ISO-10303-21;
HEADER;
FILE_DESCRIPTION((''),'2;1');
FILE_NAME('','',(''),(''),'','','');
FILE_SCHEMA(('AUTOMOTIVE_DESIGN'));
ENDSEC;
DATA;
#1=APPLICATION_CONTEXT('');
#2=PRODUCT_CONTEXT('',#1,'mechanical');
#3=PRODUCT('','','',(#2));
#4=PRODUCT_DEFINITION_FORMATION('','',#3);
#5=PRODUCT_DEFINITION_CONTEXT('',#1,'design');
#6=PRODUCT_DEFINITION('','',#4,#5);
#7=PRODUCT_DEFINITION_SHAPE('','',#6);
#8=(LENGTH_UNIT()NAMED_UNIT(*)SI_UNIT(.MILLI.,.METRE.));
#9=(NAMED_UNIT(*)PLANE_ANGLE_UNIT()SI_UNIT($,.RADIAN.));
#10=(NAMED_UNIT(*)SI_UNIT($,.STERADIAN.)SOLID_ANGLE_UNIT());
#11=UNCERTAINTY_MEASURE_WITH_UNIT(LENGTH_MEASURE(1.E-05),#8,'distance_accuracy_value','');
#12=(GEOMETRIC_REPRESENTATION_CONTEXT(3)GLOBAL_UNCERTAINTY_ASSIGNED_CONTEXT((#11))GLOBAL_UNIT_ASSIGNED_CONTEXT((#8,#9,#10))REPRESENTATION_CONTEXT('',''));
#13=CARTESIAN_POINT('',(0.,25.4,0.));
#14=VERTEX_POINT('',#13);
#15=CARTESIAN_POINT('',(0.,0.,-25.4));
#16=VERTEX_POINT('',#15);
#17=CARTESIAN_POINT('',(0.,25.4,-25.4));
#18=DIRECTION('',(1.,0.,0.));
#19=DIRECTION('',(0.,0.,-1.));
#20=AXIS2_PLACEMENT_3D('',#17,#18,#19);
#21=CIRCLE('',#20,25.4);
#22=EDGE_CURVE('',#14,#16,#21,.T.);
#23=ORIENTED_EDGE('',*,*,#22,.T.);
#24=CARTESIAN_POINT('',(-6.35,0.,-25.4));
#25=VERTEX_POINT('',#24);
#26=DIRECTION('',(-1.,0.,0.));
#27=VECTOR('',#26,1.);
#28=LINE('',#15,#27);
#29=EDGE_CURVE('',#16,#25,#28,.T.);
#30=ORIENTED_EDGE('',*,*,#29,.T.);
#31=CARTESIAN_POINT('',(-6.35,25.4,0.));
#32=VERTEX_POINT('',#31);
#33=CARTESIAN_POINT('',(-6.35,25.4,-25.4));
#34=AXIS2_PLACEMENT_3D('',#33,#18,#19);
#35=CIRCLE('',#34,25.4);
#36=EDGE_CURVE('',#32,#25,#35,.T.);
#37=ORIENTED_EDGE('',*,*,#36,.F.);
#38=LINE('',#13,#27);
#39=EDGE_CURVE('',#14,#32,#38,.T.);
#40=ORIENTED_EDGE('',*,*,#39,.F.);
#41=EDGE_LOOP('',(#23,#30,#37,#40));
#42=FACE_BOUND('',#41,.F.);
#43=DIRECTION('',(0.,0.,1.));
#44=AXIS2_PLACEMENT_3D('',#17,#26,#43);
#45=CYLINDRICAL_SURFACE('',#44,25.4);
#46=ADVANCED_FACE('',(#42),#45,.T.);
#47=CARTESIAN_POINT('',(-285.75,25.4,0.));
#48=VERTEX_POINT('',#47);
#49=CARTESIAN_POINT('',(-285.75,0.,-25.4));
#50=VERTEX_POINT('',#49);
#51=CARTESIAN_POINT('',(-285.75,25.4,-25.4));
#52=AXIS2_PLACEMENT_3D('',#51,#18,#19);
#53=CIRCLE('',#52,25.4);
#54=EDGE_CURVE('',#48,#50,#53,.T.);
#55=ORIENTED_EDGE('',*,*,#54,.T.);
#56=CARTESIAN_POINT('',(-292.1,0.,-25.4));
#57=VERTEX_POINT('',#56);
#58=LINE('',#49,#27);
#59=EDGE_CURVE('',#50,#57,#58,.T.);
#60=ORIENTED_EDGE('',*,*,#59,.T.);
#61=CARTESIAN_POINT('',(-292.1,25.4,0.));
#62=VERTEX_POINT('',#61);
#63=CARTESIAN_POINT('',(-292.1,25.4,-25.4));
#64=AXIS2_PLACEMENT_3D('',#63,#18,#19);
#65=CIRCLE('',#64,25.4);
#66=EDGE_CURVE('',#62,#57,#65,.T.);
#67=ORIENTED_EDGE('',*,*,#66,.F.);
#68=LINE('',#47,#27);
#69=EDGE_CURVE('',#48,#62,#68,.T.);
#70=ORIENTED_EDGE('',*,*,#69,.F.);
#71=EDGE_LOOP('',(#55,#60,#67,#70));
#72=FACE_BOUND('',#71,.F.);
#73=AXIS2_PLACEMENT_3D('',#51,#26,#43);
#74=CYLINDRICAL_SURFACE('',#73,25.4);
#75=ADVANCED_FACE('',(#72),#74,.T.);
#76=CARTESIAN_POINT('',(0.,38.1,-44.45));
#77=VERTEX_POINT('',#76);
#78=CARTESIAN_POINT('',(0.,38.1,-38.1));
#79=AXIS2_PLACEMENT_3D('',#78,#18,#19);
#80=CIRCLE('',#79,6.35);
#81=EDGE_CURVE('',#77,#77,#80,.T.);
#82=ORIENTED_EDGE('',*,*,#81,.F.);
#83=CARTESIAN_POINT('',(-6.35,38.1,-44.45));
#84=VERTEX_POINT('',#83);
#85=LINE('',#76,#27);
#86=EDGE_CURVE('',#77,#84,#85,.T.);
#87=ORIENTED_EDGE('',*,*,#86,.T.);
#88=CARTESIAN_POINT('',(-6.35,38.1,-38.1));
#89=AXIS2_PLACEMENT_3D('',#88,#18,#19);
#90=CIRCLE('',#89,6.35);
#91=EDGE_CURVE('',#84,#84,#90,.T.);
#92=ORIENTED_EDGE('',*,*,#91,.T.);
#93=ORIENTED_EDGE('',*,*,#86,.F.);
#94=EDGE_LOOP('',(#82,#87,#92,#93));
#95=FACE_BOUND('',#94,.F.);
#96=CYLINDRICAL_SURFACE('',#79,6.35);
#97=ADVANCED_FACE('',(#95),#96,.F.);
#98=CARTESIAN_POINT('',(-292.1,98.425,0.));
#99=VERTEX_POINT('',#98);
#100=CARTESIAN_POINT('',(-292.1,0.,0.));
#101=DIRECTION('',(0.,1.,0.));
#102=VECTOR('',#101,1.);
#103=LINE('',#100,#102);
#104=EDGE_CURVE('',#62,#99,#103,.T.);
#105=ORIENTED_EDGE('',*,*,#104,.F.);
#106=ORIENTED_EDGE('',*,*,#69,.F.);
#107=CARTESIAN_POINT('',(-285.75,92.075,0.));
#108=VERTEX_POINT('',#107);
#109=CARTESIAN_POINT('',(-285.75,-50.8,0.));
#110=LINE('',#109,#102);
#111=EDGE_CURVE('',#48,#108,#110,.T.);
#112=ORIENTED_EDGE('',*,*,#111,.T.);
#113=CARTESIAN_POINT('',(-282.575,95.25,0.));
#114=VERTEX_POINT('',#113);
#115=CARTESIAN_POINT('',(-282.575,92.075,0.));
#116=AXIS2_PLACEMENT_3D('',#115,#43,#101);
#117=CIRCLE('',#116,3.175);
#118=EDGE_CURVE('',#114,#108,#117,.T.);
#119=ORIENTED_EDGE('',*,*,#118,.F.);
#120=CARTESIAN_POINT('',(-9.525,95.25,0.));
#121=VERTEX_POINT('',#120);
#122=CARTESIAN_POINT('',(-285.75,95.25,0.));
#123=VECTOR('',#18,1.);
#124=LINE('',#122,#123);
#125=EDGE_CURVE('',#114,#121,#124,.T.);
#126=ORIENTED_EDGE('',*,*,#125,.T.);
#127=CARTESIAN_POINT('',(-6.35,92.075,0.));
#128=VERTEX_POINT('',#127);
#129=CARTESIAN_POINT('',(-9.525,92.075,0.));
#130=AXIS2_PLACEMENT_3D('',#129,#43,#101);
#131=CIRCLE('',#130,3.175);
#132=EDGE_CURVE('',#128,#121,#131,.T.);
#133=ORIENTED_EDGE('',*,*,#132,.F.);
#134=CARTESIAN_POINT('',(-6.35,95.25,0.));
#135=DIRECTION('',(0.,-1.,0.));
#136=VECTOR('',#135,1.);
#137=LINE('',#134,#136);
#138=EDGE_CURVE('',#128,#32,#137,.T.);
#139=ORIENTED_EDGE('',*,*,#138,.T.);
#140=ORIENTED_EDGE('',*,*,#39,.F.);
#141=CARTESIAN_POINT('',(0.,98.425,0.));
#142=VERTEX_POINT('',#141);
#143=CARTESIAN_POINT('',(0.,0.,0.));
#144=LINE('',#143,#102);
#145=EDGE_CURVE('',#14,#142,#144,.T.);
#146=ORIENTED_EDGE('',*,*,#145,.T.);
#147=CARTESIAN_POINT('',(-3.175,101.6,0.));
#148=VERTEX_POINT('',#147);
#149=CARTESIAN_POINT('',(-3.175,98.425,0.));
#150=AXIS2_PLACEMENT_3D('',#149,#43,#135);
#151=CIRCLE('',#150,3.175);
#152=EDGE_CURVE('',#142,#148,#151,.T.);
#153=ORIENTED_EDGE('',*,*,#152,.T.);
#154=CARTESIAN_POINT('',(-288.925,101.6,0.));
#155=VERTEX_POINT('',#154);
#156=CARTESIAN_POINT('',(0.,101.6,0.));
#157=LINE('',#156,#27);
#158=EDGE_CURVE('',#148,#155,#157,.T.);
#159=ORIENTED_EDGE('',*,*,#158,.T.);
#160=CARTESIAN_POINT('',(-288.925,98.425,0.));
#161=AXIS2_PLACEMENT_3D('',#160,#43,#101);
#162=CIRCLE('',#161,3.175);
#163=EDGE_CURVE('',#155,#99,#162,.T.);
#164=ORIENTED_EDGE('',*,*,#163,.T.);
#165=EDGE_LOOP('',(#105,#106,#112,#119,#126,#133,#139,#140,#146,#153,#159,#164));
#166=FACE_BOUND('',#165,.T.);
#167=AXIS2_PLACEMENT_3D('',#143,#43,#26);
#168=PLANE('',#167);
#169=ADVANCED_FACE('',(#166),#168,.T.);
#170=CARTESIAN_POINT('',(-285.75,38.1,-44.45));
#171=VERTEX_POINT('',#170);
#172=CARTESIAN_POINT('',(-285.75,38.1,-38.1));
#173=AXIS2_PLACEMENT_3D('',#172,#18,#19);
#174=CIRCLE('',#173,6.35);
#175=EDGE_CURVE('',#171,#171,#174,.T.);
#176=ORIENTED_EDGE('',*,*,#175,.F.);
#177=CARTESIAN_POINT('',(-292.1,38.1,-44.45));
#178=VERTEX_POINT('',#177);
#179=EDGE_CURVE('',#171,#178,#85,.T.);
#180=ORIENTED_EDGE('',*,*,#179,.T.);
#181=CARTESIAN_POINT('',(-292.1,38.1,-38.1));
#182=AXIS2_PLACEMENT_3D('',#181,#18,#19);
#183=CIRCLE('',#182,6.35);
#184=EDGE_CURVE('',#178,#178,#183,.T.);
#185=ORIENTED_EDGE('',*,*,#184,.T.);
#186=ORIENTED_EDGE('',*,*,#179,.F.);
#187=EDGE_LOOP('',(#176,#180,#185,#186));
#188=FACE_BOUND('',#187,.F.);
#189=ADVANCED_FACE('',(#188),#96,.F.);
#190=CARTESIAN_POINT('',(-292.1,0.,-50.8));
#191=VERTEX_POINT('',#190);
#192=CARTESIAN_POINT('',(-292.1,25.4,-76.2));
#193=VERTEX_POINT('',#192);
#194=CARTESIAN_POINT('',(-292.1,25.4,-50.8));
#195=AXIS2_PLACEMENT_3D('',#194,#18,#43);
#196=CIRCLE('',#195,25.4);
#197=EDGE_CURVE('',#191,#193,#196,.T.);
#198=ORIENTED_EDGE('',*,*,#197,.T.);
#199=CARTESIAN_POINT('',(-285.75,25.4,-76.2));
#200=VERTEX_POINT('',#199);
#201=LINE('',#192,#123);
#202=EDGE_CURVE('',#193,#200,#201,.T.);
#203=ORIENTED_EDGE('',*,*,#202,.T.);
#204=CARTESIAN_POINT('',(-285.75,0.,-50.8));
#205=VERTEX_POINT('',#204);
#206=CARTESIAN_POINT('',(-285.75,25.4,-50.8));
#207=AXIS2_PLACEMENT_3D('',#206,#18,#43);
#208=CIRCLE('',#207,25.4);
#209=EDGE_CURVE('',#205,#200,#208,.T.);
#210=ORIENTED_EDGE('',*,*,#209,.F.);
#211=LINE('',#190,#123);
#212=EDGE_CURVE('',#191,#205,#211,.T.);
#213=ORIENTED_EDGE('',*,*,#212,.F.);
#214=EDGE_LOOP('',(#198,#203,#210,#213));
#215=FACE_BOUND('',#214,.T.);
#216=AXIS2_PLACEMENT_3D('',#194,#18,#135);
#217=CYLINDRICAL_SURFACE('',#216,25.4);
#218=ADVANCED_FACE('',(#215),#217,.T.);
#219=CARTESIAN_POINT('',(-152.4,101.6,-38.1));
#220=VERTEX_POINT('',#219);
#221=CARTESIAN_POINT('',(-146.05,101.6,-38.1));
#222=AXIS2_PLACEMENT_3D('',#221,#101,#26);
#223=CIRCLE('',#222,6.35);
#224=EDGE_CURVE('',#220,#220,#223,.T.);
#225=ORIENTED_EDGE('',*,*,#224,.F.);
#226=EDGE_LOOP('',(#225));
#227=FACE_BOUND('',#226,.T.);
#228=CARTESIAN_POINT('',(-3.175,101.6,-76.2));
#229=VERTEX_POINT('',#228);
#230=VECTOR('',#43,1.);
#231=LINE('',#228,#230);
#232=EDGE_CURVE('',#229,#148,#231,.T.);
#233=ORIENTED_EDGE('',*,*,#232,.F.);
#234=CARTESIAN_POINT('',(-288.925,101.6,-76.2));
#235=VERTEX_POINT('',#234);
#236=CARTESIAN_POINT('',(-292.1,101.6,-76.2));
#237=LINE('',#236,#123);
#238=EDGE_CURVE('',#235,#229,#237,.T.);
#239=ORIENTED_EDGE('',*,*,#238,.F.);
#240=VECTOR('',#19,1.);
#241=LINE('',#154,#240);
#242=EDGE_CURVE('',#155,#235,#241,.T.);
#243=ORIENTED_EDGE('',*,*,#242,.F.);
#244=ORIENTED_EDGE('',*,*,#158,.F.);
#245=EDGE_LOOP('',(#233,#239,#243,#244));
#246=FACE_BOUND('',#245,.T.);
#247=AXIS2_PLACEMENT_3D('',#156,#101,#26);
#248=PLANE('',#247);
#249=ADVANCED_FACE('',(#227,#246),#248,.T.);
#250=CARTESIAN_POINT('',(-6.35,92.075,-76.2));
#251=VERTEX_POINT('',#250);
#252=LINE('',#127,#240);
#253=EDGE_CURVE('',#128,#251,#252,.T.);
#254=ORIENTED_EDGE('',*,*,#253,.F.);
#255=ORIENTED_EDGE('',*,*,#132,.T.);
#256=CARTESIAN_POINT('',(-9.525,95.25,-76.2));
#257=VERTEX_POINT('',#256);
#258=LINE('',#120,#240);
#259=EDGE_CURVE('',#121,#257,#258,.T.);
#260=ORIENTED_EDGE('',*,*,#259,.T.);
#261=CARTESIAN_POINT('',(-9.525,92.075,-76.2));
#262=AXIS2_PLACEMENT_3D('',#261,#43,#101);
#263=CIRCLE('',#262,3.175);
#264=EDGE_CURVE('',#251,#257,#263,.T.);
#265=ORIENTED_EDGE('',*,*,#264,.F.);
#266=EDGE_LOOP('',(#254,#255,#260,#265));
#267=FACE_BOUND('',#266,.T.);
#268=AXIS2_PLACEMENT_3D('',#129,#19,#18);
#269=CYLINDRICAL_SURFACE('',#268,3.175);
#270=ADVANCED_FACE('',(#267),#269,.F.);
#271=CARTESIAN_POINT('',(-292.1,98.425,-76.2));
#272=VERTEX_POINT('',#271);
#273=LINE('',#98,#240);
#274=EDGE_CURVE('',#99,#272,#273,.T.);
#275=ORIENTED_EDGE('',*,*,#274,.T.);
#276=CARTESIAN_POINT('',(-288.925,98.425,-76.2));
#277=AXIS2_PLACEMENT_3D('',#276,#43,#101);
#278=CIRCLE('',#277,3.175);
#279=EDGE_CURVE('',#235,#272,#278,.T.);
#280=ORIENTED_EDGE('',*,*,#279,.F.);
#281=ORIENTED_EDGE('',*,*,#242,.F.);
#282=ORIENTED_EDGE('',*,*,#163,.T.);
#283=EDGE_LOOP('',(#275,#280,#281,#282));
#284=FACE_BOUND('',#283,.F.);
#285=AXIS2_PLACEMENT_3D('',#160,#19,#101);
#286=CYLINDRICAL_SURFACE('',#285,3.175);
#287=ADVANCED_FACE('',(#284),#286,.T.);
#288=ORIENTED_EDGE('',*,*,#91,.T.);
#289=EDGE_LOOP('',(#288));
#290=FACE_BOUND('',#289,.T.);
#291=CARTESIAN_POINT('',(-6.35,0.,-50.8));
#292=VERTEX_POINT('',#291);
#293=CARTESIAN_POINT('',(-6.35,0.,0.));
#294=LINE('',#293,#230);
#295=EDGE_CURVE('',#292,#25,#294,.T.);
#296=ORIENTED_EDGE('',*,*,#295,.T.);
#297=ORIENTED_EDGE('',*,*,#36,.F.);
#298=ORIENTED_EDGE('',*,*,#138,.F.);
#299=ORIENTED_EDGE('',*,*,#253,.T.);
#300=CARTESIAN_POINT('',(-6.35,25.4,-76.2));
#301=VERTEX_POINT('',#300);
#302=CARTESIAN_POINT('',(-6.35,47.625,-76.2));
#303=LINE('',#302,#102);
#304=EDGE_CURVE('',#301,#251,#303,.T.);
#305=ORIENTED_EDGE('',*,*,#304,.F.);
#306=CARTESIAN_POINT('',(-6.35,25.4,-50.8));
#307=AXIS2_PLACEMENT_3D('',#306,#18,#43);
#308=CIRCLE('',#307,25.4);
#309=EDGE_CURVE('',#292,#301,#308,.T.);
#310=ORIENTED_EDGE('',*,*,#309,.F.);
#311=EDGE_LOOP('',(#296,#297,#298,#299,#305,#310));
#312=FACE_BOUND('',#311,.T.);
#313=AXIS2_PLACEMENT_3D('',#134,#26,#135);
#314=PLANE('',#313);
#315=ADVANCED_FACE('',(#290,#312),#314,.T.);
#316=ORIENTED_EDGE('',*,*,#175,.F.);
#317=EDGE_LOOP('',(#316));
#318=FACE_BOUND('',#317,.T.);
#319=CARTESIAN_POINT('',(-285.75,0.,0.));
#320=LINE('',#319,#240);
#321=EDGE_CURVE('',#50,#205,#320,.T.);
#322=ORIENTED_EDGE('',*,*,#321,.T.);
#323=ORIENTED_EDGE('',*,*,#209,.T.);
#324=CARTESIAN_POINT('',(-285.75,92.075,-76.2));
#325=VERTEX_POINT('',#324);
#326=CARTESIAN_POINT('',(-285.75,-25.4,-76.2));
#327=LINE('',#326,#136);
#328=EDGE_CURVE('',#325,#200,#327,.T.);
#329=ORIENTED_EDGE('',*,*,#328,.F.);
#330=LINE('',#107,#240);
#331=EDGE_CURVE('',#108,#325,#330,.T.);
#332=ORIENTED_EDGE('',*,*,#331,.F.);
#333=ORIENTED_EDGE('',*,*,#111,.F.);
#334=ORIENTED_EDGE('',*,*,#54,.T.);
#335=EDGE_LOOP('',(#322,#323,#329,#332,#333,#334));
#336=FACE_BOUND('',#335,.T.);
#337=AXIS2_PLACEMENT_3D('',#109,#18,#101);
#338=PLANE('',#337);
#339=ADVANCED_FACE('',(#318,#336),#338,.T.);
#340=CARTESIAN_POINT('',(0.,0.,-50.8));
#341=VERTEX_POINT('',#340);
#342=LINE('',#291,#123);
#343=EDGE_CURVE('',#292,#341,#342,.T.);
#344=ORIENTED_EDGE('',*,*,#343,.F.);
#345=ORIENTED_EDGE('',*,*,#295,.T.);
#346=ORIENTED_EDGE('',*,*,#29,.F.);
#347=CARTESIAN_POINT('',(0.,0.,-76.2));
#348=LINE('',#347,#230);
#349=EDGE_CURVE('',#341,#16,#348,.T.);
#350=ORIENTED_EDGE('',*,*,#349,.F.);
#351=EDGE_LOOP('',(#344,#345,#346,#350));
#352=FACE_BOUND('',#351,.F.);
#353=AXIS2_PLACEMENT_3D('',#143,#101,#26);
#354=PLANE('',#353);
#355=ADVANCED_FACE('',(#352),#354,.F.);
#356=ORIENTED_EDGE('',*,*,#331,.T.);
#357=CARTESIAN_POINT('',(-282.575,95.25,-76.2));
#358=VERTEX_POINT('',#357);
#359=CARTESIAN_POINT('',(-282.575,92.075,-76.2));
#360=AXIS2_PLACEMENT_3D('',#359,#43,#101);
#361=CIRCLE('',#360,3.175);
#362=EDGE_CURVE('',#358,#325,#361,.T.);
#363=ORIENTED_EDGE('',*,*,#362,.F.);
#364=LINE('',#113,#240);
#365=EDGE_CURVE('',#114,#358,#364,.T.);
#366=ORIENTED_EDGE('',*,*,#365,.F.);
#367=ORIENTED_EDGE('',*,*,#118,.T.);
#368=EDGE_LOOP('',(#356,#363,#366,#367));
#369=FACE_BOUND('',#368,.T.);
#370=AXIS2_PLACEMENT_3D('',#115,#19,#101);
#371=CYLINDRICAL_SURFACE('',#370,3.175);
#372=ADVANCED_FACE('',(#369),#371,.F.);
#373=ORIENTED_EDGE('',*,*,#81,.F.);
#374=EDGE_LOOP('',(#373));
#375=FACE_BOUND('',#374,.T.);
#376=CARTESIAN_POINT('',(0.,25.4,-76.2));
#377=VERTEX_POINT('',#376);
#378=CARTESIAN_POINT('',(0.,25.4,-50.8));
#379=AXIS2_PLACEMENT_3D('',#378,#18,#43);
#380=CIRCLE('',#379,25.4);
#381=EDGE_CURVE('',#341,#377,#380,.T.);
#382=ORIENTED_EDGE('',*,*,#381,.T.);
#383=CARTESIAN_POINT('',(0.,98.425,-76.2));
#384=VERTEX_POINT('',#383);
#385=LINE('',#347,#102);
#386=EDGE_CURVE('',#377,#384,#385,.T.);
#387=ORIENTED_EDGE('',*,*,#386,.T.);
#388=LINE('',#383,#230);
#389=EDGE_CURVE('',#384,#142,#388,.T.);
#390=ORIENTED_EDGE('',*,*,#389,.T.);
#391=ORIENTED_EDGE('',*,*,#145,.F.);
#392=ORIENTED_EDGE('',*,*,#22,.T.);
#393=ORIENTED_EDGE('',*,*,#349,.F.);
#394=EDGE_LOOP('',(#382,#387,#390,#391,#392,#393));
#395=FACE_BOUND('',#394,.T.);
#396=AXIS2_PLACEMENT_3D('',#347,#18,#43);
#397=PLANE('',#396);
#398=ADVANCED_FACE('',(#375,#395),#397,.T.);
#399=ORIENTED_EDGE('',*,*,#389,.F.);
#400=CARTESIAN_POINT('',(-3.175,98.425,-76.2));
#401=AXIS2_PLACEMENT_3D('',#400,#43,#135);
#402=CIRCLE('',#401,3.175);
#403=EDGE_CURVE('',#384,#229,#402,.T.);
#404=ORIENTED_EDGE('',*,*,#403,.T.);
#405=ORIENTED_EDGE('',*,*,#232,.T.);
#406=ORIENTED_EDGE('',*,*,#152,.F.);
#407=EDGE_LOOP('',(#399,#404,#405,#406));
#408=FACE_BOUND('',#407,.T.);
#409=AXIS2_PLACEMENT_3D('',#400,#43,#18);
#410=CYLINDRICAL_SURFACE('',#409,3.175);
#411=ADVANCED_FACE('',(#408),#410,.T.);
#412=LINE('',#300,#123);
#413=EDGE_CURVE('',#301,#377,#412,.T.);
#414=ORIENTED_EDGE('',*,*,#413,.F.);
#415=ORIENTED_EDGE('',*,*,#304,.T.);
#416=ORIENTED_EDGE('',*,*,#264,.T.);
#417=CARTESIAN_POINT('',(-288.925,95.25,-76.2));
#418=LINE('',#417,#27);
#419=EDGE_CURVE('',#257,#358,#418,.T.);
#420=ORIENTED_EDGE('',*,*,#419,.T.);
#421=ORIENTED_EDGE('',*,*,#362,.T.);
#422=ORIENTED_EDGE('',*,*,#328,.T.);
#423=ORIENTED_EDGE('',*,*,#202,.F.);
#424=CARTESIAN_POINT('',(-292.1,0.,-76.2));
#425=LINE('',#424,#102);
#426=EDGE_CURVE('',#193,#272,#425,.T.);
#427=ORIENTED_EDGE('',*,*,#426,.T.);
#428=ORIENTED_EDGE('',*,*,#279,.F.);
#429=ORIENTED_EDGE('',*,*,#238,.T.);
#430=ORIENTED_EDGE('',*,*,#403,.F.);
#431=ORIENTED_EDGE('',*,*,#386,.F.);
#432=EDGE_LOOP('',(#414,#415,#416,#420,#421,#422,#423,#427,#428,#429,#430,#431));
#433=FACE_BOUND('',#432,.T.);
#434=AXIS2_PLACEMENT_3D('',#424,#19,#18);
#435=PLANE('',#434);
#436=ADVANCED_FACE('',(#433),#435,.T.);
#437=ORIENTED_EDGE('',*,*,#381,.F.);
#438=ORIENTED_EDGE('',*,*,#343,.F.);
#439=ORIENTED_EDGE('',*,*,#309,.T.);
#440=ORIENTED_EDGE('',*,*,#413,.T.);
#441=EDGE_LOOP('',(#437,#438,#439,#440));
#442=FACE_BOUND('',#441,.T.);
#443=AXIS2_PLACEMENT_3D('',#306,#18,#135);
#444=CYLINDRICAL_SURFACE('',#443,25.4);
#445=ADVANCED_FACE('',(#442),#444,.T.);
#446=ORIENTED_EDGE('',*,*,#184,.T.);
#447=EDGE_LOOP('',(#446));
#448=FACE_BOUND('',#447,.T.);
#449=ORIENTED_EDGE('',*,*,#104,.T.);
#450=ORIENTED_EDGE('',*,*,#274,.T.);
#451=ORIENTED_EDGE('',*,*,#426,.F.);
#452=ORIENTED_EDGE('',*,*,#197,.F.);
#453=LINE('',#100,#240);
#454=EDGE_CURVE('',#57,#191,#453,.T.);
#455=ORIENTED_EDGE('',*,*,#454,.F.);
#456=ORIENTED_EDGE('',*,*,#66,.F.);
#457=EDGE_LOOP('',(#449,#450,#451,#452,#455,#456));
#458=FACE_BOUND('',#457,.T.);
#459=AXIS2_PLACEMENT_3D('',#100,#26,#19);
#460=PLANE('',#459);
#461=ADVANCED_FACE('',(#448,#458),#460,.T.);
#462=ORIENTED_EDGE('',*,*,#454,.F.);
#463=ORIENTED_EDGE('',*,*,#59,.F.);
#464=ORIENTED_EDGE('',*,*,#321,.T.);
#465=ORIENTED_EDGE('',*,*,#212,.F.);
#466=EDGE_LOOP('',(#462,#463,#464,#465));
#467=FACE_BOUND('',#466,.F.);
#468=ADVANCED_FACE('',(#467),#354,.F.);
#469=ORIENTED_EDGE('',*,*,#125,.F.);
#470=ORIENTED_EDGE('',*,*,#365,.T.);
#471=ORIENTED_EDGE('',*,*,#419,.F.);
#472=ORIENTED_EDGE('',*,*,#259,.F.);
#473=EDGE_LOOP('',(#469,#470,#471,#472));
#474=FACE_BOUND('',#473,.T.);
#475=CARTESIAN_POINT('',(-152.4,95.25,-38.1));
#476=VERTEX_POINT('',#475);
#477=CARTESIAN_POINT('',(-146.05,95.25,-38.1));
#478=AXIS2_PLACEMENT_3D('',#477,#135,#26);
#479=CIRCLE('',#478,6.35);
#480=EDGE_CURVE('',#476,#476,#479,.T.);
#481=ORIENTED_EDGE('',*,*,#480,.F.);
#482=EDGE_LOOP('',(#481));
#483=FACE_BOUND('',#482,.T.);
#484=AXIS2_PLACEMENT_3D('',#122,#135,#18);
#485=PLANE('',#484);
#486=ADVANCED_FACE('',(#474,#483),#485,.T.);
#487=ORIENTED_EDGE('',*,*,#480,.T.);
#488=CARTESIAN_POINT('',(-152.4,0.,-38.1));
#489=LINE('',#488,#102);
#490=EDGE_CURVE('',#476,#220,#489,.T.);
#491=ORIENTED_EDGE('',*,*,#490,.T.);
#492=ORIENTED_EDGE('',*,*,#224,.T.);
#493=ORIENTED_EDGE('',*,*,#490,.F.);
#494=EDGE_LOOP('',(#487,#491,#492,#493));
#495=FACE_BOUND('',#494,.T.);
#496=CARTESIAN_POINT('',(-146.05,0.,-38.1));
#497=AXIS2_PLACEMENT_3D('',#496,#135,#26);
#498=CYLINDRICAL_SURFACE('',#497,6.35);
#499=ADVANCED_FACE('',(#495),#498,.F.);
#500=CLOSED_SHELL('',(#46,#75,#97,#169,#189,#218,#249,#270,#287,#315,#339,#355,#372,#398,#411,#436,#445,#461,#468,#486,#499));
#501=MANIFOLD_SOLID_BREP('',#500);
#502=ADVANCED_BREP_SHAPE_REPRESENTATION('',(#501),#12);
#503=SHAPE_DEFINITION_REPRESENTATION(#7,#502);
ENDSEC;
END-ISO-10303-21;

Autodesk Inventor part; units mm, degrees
ref_plane "YZ Plane" through (0, 0, 0) normal (1, 0, 0) x (0, 1, 0)
ref_plane "XZ Plane" through (0, 0, 0) normal (0, 1, 0) x (-1, 0, 0)
ref_plane "XY Plane" through (0, 0, 0) normal (0, 0, 1) x (1, 0, 0)
sketch "Sketch1" plane through (0, 0, 0) normal (0, 1, 0) x (-1, 0, 0)
  line L0 (0, 0) -> (292.1, 0)
  line L1 (292.1, 0) -> (292.1, -76.2)
  line L2 (292.1, -76.2) -> (0, -76.2)
  line L3 (0, -76.2) -> (0, 0)
  circle A0 centre (146.05, -38.1) radius 6.35
  point P0 (292.1, -38.1)
  dimension "d0" = 292.1
  dimension "d1" = 76.2
  dimension "d27" = 12.7
  dimension "d28" = 38.1
  dimension "d45" = 146.05
  dimension "d46" = 146.05
extrude "Extrusion4" add sketch "Sketch1" along normal blind 101.6
sketch "Sketch4" plane through (-292.1, 0, 0) normal (0, 0, 1) x (1, 0, 0)
  line L0 (285.75, -50.8) -> (6.35, -50.8)
  line L1 (6.35, -50.8) -> (6.35, 95.25)
  line L2 (6.35, 95.25) -> (285.75, 95.25)
  line L3 (285.75, 95.25) -> (285.75, -50.8)
  line L4 (0, 101.6) -> (292.1, 101.6) projected
  line L5 (292.1, 0) -> (292.1, 101.6) projected
  line L6 (0, 0) -> (0, 101.6) projected
  point P0 (0, 50.8)
  dimension "d32" = 6.35
  dimension "d33" = 6.35
  dimension "d34" = 6.35
  dimension "d43" = 146.05
extrude "Extrusion5" cut sketch "Sketch4" against normal blind 119.0625
fillet "Fillet4" radius 25.4 4 edges at (-288.925, 0, 0) (-288.925, 0, -76.2) (-3.175, 0, 0) (-3.175, 0, -76.2)
sketch "Sketch5" plane through (0, 101.6, 0) normal (1, 0, 0) x (0, 0, -1)
  circle A0 centre (38.1, -63.5) radius 6.35
  line L0 (0, 0) -> (76.2, 0) projected
  line L1 (0, -76.2) -> (0, 0) projected
  point P0 (0, -101.6)
  dimension "d38" = 12.7
  dimension "d39" = 63.5
  dimension "d40" = 38.1
extrude "Extrusion6" cut sketch "Sketch5" against normal blind 330.2
fillet "Fillet5" radius 3.175 4 edges at (-292.1, 101.6, -38.1) (-285.75, 95.25, -38.1) (0, 101.6, -38.1) (-6.35, 95.25, -38.1)
properties part number "Bracket" material "Aluminum 6061"
